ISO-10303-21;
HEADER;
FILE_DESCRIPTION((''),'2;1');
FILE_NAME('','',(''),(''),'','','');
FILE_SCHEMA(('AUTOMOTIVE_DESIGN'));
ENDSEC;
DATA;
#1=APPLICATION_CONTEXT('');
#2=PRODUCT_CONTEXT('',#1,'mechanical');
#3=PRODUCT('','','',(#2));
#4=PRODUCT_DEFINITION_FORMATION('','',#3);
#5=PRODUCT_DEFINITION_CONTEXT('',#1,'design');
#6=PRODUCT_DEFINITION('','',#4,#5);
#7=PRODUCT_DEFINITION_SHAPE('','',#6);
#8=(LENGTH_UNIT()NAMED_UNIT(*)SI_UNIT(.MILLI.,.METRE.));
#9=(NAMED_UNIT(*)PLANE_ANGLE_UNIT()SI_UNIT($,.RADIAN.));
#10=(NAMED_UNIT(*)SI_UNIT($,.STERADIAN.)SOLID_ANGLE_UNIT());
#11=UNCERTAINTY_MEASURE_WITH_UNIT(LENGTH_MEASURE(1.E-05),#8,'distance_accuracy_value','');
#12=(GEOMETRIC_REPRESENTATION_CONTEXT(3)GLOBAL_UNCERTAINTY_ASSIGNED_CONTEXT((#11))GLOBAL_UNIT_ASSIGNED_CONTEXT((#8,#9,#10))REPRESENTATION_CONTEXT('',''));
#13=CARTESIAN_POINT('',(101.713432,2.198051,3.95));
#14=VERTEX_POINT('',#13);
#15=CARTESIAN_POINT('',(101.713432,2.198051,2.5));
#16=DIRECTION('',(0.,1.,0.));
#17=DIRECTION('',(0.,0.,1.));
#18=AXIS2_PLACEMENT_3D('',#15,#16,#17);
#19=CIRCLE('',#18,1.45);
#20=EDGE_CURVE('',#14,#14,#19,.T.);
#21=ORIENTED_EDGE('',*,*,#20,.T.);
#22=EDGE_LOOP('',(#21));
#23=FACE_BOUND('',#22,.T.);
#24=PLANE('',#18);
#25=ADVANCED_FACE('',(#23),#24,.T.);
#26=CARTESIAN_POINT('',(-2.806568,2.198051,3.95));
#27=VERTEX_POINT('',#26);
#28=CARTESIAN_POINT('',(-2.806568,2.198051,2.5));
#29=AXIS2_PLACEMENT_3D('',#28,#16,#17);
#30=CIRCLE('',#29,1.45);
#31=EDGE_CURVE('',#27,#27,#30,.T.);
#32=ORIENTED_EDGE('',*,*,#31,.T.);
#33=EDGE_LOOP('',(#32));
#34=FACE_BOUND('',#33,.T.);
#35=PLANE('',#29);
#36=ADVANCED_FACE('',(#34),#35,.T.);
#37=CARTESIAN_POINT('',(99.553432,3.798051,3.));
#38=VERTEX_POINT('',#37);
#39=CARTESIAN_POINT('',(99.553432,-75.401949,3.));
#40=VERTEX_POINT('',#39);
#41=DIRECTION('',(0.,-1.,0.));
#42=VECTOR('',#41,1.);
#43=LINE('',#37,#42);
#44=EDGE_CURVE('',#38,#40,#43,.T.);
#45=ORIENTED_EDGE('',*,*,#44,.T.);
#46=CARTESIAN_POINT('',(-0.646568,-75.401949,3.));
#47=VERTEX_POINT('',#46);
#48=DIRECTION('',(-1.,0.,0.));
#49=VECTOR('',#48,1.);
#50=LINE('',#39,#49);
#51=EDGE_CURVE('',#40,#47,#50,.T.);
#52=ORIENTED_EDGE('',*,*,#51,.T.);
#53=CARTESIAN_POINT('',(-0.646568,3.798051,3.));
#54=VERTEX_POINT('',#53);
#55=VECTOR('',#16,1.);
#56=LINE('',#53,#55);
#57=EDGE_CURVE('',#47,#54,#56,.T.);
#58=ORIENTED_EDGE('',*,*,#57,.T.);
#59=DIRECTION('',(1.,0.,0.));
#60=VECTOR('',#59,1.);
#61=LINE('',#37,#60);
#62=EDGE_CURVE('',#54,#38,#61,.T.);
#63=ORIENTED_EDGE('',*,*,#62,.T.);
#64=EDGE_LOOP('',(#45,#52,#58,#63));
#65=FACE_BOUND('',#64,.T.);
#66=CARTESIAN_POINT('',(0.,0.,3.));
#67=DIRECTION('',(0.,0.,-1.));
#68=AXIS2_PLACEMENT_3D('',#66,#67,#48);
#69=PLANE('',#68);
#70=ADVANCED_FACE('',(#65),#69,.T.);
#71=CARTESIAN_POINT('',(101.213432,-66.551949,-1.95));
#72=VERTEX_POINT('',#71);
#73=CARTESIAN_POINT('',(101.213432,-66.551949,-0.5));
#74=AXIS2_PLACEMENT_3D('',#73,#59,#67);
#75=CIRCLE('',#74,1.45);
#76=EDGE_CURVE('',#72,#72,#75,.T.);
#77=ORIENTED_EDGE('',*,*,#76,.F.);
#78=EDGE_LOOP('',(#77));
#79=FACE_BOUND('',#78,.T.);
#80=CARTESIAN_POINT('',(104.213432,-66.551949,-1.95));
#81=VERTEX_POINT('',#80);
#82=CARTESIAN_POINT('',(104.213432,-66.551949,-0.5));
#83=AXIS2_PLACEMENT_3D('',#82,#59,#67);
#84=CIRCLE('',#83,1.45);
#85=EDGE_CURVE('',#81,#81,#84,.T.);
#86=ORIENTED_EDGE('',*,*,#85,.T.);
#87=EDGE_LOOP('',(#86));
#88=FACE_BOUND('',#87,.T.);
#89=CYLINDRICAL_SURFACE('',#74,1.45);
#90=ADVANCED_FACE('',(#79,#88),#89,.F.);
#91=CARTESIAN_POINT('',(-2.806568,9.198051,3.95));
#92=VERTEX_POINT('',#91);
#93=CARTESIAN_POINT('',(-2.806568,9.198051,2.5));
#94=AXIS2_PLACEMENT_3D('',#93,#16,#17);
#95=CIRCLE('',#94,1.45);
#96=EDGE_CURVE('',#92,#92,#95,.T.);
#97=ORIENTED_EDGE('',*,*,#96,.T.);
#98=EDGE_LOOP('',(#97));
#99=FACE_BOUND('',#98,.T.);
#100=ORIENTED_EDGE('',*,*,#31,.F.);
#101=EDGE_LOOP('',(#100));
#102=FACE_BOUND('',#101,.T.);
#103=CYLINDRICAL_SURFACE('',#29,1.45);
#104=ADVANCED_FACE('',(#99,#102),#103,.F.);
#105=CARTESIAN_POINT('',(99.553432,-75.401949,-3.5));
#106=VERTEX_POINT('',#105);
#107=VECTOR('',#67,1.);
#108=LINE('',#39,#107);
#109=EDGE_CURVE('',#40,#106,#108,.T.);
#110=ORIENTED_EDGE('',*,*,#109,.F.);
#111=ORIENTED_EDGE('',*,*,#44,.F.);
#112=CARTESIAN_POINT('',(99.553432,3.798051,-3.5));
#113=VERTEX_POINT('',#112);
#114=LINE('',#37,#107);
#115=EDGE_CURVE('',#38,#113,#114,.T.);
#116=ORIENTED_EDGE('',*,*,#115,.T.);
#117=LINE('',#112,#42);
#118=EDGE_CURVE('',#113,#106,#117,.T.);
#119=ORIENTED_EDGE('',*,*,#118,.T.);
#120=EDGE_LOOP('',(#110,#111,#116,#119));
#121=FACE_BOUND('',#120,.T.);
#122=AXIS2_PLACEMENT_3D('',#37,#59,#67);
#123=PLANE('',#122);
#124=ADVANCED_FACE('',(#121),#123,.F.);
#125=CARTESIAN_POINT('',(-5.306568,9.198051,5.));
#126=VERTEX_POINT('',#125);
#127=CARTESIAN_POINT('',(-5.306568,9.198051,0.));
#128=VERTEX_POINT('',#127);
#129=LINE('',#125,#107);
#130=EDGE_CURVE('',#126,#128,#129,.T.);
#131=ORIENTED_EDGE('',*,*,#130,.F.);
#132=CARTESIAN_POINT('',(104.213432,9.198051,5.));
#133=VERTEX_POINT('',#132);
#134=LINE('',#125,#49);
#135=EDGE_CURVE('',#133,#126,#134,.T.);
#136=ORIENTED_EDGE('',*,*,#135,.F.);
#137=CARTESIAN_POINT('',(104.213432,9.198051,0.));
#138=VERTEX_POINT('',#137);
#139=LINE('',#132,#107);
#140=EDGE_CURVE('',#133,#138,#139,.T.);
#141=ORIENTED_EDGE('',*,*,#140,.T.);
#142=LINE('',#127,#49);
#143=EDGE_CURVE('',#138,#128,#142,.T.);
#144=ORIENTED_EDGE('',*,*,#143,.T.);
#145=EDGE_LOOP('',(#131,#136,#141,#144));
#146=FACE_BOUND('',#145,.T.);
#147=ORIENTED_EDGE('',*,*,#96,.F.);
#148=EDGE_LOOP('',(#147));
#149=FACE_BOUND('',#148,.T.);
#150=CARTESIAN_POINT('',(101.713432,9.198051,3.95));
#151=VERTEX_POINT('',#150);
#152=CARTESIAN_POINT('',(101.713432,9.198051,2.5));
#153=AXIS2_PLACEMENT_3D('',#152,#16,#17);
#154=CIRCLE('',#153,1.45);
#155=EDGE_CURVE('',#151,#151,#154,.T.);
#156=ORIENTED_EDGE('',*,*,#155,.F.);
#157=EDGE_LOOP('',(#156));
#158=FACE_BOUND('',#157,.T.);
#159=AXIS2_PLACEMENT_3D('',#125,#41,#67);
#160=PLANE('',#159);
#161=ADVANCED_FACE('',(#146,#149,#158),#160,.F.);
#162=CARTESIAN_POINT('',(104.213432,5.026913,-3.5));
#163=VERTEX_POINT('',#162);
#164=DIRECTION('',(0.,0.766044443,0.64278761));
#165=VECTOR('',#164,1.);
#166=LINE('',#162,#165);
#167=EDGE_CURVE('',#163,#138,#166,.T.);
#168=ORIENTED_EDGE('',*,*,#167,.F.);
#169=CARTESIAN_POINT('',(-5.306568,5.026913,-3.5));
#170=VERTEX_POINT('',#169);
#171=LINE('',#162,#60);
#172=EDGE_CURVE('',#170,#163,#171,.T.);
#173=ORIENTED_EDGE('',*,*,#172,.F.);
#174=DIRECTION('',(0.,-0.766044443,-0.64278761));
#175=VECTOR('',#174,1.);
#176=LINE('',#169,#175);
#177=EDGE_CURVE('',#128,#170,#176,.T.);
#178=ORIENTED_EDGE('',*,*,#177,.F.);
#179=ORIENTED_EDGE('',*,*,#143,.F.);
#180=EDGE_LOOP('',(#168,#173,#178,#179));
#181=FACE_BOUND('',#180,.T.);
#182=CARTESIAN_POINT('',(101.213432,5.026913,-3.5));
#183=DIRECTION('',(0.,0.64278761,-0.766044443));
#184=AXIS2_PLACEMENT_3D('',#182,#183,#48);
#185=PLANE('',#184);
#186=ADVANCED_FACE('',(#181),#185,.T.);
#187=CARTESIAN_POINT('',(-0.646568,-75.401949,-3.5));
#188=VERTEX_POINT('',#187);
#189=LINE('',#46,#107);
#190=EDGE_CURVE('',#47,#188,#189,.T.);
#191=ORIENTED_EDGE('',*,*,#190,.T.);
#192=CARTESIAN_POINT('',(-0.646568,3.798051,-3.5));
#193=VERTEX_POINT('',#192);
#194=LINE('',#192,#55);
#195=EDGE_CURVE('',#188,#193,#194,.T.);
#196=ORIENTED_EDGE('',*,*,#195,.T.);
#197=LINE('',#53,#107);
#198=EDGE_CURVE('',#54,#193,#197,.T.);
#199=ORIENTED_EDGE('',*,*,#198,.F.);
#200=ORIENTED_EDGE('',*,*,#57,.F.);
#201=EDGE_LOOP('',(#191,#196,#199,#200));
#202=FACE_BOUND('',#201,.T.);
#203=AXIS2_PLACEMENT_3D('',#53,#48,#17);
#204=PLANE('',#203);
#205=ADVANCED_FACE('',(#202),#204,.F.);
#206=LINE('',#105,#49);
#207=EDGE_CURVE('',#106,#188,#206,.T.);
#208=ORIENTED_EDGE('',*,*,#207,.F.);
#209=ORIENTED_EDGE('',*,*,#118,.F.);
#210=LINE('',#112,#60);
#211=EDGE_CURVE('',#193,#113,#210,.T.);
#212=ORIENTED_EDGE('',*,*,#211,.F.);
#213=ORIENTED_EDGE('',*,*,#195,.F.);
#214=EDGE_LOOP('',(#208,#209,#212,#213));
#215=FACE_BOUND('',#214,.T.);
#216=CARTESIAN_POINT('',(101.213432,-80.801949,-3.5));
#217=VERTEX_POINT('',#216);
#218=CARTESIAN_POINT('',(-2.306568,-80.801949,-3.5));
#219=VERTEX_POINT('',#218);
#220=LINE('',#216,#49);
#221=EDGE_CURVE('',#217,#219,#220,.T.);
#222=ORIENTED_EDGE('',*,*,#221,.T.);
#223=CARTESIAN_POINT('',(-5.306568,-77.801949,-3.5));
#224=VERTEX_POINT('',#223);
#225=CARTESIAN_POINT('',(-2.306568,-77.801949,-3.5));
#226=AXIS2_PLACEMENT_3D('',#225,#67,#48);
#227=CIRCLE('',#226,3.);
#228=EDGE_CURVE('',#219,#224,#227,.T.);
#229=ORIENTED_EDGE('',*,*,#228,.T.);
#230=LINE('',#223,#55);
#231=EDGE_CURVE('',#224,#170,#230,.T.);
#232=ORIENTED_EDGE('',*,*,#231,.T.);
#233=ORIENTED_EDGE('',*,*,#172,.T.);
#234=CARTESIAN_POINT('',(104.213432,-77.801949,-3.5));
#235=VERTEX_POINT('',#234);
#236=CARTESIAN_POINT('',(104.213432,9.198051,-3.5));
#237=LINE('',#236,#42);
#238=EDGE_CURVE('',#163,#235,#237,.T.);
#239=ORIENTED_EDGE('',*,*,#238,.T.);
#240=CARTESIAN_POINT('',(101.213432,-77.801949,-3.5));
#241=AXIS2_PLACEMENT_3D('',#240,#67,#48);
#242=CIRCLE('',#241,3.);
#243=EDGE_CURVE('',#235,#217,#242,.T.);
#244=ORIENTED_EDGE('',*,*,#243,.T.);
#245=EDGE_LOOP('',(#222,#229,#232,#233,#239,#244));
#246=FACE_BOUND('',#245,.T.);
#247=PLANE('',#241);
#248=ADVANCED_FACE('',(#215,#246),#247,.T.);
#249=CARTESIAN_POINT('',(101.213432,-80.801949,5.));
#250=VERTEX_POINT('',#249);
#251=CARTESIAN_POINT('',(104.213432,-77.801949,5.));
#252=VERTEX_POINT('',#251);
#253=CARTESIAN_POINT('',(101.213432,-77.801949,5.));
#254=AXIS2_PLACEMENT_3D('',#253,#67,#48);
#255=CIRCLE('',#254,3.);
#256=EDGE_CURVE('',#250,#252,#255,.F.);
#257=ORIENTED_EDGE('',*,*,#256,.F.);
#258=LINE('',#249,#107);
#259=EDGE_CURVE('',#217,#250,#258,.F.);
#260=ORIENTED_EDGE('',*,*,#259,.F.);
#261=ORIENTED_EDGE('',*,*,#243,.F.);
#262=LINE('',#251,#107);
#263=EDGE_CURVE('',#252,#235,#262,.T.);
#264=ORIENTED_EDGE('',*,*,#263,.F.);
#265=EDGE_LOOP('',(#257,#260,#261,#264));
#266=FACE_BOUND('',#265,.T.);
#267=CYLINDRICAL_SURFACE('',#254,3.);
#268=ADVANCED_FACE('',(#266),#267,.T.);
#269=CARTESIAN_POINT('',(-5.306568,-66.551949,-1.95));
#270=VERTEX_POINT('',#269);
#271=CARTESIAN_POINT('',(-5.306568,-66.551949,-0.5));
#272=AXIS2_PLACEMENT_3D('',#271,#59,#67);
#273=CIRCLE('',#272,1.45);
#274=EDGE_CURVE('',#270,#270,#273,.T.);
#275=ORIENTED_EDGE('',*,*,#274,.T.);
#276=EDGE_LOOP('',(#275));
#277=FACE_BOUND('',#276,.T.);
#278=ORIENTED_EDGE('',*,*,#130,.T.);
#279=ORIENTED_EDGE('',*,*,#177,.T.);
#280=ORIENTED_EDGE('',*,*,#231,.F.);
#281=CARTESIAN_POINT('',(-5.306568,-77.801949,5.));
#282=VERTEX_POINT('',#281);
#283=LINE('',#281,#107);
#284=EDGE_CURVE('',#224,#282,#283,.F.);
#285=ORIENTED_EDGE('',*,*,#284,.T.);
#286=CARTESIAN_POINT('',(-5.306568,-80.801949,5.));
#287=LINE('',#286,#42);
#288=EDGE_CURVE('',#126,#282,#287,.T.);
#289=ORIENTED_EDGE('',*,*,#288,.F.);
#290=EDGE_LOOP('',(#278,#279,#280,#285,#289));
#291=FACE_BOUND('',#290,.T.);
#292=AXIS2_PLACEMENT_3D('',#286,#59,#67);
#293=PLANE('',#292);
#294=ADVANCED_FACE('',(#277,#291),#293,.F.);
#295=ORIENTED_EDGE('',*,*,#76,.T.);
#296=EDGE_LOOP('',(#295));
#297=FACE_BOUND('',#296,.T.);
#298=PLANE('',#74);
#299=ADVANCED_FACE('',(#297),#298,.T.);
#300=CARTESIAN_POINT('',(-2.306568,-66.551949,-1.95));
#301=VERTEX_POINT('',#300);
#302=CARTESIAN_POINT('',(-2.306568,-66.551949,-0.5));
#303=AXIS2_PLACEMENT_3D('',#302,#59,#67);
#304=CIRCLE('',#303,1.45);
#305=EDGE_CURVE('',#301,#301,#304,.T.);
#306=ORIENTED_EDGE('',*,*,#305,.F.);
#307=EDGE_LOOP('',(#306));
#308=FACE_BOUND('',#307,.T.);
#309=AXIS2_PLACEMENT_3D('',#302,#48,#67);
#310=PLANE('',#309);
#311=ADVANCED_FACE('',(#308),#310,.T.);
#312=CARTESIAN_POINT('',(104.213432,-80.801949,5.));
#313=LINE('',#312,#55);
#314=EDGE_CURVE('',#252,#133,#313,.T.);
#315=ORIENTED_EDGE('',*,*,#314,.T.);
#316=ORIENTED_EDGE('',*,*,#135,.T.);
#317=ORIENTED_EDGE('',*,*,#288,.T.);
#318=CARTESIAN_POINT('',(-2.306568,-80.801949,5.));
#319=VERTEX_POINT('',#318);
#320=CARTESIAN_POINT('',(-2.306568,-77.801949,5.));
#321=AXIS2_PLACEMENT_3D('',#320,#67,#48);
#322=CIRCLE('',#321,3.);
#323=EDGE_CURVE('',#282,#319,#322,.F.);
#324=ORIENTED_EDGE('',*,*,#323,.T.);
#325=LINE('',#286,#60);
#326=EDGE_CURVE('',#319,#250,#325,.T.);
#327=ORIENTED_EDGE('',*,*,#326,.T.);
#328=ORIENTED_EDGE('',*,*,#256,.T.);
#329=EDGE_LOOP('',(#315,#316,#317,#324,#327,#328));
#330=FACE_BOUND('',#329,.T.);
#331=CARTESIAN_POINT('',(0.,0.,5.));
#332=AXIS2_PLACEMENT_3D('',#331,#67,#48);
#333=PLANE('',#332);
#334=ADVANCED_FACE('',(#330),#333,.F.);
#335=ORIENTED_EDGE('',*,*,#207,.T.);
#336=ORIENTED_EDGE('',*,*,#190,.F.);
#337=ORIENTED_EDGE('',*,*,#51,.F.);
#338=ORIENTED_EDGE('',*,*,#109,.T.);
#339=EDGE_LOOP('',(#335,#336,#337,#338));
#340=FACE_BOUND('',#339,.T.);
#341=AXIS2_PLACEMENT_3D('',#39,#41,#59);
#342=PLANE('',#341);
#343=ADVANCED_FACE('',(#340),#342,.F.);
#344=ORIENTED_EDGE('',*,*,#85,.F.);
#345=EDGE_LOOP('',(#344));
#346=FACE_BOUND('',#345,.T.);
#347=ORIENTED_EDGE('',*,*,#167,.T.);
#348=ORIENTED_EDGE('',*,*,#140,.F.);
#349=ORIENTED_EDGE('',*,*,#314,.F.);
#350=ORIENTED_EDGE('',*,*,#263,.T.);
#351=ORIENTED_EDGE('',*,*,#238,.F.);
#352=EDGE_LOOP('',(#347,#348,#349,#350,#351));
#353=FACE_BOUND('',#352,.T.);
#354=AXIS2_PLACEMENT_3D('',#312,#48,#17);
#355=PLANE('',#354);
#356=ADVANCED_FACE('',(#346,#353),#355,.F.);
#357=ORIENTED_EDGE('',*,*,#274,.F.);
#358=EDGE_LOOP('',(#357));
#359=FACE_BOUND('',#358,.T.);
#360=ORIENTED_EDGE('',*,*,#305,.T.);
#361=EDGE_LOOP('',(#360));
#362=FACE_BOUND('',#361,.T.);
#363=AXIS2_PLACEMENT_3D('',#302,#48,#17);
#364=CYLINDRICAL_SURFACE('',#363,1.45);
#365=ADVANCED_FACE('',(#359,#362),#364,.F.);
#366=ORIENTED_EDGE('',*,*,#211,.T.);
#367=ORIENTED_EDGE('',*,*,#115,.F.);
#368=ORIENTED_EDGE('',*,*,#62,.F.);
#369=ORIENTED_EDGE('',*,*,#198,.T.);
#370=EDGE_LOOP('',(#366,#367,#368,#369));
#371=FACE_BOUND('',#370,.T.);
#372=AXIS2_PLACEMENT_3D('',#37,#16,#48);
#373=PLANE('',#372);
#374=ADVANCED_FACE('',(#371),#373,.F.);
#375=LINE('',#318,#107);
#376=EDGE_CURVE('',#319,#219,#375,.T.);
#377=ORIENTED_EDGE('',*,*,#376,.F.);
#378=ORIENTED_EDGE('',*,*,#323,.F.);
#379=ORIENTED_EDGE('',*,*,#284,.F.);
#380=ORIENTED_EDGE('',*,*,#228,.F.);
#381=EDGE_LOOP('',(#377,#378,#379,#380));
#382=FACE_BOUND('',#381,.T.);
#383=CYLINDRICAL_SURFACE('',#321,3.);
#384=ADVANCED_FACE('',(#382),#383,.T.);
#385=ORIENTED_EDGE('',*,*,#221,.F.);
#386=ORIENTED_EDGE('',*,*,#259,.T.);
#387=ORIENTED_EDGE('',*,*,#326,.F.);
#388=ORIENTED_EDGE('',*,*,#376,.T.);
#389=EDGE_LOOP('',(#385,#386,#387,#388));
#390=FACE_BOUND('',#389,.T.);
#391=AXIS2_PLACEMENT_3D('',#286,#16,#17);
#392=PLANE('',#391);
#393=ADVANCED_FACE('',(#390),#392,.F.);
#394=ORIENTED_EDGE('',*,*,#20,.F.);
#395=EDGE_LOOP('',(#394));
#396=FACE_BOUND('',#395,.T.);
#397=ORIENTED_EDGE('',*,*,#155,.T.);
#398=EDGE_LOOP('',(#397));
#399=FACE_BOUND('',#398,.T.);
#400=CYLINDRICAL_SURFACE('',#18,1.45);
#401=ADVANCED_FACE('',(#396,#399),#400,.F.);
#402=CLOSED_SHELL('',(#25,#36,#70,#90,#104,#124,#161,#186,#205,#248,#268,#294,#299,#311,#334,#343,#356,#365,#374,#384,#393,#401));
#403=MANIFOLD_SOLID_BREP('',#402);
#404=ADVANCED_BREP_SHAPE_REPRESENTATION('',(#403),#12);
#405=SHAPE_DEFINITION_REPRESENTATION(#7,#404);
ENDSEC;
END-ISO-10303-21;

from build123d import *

# Parameters (mm, degrees)
SKETCH1_W           = 109.52
SKETCH1_H           = 90
BOSS_EXTRUDE1_DEPTH = 5
SKETCH2_R           = 1.45
CUT_EXTRUDE1_DEPTH  = 7
FILLET1_R           = 3
BOSS_EXTRUDE2_DEPTH = 3.5
CHAMFER1_SIZE       = 3.5
CHAMFER1_SIZE2      = 4.171137574
SKETCH5_W           = 100.2
SKETCH5_H           = 79.2
CUT_EXTRUDE3_DEPTH  = 6.5
SKETCH8_R           = 1.45
CUT_EXTRUDE5_DEPTH  = 3


with BuildPart() as part:
    # Sketch1 → Boss-Extrude1 (new body)
    with BuildSketch(Plane.XY):
        with Locations((49.453432203, -35.801949153)):
            Rectangle(SKETCH1_W, SKETCH1_H)
    extrude(amount=BOSS_EXTRUDE1_DEPTH)

    # Sketch2 → Cut-Extrude1 (cut)
    with BuildSketch(Plane(origin=(0, 9.198050847, 0), x_dir=(1, 0, 0), z_dir=(0, 1, 0))):
        with Locations(Location((-2.806567797, -2.5, 0), (0, 0, 270))):
            Circle(SKETCH2_R)
        with Locations(Location((101.713432203, -2.5, 0), (0, 0, 270))):
            Circle(SKETCH2_R)
    extrude(amount=-CUT_EXTRUDE1_DEPTH, mode=Mode.SUBTRACT)

    # Fillet1
    fillet1_edges = [part.edges().sort_by_distance(p)[0] for p in [
        (104.213432203, -80.801949153, 2.5),
        (-5.306567797, -80.801949153, 2.5),
    ]]
    fillet(fillet1_edges, radius=FILLET1_R)

    # Sketch4 → Boss-Extrude2 (add)
    with BuildSketch(Plane(origin=(0, 0, 0), x_dir=(-1, 0, 0), z_dir=(0, 0, -1))):
        with BuildLine():
            Line((-104.213432203, 9.198050847), (-104.213432203, -77.801949153))
            ThreePointArc((-104.213432203, -77.801949153), (-103.334752547, -79.923269496), (-101.213432203, -80.801949153))
            Line((-101.213432203, -80.801949153), (2.306567797, -80.801949153))
            ThreePointArc((2.306567797, -80.801949153), (4.42788814, -79.923269496), (5.306567797, -77.801949153))
            Line((5.306567797, -77.801949153), (5.306567797, 9.198050847))
            Line((5.306567797, 9.198050847), (-104.213432203, 9.198050847))
        make_face()
    extrude(amount=BOSS_EXTRUDE2_DEPTH)

    # Chamfer1
    chamfer1_edges = [part.edges().sort_by_distance(p)[0] for p in [
        (49.453432203, 9.198050847, -3.5),
    ]]
    chamfer1_side = [part.faces().sort_by_distance(p)[0] for p in [
        (49.453432203, 9.198050847, 0.724808812),
    ]]
    chamfer(chamfer1_edges, length=CHAMFER1_SIZE, length2=CHAMFER1_SIZE2, reference=chamfer1_side[0])

    # Sketch5 → Cut-Extrude3 (cut)
    with BuildSketch(Plane(origin=(0, 0, -3.5), x_dir=(-1, 0, 0), z_dir=(0, 0, -1))):
        with Locations((-49.453432203, -35.801949153)):
            Rectangle(SKETCH5_W, SKETCH5_H)
    extrude(amount=-CUT_EXTRUDE3_DEPTH, mode=Mode.SUBTRACT)

    # Sketch8 → Cut-Extrude5 (cut)
    with BuildSketch(Plane(origin=(104.213432203, 0, 0), x_dir=(0, 0, -1), z_dir=(1, 0, 0))):
        with Locations((0.5, -66.551949153)):
            Circle(SKETCH8_R)
    cut_extrude5 = extrude(amount=-CUT_EXTRUDE5_DEPTH, mode=Mode.SUBTRACT)

    # Mirror2: Cut-Extrude5 across plane
    add(cut_extrude5.mirror(Plane.ZY.offset(-49.453432203)), mode=Mode.SUBTRACT)


solid = part.part
